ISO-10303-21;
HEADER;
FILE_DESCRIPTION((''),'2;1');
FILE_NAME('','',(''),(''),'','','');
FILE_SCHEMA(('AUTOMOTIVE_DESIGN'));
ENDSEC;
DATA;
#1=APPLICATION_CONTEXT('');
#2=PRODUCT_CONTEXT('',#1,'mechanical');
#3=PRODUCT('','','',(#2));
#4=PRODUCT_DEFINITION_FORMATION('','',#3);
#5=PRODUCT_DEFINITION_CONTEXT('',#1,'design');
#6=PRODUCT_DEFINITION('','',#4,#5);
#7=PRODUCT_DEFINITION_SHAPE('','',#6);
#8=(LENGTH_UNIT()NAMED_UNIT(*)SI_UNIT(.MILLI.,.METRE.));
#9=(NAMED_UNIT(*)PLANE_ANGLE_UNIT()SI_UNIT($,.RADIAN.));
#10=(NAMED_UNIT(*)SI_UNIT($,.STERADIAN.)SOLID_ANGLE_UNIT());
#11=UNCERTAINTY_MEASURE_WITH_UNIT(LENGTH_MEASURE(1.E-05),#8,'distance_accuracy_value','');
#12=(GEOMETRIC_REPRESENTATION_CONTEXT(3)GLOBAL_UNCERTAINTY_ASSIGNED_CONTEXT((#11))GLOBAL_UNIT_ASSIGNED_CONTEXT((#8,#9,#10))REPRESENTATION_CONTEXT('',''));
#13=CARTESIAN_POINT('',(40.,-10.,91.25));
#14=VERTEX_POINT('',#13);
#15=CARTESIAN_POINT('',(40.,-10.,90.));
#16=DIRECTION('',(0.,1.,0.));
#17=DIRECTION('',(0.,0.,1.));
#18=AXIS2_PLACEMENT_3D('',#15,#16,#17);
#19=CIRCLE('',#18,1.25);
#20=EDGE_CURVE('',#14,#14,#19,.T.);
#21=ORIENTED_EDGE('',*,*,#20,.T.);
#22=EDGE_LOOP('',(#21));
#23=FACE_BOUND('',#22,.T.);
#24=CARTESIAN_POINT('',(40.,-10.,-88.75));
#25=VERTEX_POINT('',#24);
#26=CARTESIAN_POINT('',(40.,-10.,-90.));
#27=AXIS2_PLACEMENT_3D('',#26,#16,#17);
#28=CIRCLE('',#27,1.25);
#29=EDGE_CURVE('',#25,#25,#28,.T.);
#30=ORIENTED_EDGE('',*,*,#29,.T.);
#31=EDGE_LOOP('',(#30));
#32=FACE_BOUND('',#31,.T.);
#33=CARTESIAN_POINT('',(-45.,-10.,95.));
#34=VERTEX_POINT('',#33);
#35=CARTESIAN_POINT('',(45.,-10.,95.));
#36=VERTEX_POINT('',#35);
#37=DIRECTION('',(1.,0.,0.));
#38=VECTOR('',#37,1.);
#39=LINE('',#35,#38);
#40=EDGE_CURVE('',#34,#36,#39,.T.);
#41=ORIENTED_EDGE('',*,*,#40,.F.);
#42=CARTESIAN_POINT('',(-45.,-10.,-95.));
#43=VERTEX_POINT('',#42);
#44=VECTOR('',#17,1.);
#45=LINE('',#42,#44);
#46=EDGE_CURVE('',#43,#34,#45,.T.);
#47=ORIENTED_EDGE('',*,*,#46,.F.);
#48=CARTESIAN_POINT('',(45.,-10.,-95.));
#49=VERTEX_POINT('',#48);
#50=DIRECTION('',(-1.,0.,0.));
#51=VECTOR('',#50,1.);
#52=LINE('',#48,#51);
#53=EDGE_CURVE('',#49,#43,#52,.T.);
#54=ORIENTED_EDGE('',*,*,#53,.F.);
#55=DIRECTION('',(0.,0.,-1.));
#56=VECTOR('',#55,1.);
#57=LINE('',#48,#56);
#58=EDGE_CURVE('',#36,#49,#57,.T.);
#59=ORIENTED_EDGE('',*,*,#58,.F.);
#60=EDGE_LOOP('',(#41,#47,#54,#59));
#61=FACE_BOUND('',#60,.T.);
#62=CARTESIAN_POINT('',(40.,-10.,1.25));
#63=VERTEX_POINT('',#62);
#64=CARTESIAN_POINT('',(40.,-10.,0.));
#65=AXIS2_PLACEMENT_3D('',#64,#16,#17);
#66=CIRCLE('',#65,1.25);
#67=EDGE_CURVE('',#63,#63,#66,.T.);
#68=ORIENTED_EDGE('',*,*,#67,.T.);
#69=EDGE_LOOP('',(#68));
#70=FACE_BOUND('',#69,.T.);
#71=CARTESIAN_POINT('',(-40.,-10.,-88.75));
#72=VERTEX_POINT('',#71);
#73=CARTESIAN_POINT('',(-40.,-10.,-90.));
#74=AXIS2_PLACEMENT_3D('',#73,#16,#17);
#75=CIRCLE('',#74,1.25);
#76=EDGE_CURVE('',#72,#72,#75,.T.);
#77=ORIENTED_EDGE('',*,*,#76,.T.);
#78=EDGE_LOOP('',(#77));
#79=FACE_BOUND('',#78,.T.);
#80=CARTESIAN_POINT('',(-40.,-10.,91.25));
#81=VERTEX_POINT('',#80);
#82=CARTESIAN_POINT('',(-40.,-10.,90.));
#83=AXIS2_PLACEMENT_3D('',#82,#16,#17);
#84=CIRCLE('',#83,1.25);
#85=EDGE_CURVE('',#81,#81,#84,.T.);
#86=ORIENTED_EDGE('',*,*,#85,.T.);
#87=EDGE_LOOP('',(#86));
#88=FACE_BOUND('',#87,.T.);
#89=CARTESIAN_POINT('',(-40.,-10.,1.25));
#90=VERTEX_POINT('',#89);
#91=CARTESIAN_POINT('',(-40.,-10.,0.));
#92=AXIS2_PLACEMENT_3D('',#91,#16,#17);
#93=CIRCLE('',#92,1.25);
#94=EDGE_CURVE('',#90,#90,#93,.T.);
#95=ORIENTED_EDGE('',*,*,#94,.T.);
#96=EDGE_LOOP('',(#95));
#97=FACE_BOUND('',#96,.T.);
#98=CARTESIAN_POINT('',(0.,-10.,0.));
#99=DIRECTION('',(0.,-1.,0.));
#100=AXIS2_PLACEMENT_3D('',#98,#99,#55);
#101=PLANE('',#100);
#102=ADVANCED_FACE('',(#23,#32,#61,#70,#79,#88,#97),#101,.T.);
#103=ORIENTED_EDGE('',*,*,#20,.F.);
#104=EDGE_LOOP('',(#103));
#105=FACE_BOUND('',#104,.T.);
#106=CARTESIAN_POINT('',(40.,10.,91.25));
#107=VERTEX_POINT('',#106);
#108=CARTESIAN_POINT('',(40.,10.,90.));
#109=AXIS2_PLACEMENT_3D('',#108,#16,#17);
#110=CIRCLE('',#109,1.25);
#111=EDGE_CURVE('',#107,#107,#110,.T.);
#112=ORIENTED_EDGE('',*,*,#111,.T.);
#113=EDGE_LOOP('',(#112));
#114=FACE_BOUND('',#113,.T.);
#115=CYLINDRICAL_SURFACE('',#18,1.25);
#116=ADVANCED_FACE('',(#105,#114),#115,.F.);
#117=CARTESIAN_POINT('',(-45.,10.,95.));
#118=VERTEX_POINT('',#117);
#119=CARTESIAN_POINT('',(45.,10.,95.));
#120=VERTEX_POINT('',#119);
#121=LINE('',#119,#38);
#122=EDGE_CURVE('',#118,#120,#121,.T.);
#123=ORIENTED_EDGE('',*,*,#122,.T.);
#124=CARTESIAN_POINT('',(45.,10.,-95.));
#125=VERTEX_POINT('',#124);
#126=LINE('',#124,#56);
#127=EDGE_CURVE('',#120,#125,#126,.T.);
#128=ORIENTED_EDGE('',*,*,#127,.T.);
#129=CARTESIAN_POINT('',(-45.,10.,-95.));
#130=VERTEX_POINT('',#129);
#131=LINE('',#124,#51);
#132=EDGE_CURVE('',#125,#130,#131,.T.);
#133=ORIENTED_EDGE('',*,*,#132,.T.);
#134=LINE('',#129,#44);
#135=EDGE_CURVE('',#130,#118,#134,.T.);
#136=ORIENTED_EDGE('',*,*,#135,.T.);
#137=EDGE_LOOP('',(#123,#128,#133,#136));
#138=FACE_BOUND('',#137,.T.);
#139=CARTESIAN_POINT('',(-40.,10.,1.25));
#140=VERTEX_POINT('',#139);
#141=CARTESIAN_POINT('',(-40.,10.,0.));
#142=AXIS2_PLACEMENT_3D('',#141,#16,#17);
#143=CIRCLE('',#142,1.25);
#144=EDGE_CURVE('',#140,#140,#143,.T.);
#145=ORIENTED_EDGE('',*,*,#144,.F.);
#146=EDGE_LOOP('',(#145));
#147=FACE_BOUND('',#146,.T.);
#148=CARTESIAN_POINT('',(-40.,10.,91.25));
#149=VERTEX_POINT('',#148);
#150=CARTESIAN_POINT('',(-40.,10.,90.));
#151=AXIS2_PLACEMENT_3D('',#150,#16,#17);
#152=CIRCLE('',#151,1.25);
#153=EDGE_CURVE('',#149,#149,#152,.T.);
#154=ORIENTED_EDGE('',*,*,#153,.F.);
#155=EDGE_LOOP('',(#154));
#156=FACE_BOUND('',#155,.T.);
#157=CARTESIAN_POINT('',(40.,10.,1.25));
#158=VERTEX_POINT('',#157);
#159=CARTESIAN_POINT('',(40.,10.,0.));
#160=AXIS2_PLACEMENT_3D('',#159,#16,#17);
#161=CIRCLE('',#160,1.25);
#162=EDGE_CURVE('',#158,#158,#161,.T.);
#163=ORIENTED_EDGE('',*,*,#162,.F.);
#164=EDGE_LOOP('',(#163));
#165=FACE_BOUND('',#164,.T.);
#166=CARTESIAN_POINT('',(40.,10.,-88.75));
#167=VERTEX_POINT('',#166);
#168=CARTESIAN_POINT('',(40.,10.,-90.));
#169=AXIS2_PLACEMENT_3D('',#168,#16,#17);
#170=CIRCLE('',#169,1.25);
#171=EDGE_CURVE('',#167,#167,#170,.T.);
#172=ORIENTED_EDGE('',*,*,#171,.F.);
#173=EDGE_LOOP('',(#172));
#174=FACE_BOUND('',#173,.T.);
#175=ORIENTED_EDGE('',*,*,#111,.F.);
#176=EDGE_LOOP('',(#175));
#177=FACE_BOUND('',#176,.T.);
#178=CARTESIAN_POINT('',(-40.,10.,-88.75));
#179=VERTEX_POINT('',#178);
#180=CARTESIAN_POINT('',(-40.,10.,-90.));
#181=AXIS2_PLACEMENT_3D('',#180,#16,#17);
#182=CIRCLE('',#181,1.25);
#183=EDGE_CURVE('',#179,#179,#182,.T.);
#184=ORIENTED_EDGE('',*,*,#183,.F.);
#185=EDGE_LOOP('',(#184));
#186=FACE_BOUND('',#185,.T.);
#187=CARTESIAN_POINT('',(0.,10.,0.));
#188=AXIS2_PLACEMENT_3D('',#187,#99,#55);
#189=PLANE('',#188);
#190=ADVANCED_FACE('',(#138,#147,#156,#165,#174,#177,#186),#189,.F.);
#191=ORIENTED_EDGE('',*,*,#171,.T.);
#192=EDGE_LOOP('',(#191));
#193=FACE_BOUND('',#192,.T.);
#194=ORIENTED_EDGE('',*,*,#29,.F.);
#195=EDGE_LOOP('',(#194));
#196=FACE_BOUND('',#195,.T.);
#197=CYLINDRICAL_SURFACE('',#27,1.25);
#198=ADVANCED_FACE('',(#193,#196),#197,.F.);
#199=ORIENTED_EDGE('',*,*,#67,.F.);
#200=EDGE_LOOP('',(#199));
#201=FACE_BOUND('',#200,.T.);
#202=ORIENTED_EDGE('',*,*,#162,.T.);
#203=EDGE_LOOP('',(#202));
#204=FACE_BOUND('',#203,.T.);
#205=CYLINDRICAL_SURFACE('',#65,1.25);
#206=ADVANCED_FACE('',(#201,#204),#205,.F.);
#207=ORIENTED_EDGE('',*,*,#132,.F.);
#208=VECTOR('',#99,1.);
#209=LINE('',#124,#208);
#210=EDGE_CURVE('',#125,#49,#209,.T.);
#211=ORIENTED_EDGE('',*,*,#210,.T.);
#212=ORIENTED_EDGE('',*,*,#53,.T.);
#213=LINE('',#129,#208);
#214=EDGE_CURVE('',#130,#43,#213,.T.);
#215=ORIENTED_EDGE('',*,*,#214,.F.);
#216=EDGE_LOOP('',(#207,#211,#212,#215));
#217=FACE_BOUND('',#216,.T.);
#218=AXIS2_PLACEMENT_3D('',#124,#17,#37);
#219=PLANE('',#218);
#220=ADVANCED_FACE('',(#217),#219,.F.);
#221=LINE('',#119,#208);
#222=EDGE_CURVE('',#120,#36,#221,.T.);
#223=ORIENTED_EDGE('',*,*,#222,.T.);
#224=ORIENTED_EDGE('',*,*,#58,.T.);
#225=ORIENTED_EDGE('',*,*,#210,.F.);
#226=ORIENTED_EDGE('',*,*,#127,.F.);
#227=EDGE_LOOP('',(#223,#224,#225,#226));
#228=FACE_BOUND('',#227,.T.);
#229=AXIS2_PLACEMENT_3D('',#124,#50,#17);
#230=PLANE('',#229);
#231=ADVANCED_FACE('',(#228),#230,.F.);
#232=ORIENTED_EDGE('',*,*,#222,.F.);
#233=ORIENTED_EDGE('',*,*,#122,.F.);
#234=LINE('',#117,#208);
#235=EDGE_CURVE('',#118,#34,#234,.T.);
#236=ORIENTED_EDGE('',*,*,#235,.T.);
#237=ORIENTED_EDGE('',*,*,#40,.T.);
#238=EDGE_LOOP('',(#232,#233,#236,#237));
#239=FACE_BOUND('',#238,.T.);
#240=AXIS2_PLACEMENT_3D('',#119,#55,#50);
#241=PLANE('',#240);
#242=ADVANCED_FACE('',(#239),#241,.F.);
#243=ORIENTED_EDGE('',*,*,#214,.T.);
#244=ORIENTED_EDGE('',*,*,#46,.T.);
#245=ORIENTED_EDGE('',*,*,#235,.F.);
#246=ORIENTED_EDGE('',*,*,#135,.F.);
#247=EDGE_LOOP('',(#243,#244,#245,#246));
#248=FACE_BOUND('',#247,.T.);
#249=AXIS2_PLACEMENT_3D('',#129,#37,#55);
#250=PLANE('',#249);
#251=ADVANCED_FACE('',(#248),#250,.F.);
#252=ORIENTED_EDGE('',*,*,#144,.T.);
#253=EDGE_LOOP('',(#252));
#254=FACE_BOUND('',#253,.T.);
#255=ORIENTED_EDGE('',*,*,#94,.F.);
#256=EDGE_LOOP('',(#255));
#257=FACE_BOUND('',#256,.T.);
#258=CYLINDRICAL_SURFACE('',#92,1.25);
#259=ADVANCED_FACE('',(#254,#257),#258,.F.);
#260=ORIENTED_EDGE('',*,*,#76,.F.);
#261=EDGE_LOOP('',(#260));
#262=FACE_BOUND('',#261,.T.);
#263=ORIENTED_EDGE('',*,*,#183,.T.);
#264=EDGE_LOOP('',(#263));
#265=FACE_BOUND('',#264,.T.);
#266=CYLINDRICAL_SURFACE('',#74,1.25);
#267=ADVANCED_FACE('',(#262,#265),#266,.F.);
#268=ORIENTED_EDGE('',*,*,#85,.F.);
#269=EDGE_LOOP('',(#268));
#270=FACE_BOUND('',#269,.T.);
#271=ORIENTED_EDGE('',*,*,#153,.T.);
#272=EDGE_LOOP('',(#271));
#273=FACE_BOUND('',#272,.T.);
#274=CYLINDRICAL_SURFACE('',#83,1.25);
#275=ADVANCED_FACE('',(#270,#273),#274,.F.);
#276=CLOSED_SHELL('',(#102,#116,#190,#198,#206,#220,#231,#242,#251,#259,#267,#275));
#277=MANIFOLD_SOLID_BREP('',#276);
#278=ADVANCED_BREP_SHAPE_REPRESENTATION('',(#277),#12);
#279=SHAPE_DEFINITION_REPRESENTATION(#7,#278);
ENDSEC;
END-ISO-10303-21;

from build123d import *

# Parameters (mm, degrees)
SKETCH1_W           = 90
SKETCH1_H           = 190
BOSS_EXTRUDE1_DEPTH = 10
SKETCH2_R           = 1.25
CUT_EXTRUDE2_DEPTH  = 108.004672795


with BuildPart() as part:
    # Sketch1 → Boss-Extrude1 (new, symmetric)
    with BuildSketch(Plane(origin=(0, 0, 0), x_dir=(1, 0, 0), z_dir=(0, 1, 0))):
        Rectangle(SKETCH1_W, SKETCH1_H)
    extrude(amount=BOSS_EXTRUDE1_DEPTH, both=True)

    # Sketch2 → Cut-Extrude2 (cut, through all)
    with BuildSketch(Plane(origin=(0, 10, 0), x_dir=(1, 0, 0), z_dir=(0, 1, 0))):
        with Locations((-40, -90)):
            Circle(SKETCH2_R)
        with Locations((40, -90)):
            Circle(SKETCH2_R)
        with Locations((-40, 0)):
            Circle(SKETCH2_R)
        with Locations((-40, 90)):
            Circle(SKETCH2_R)
        with Locations((40, 90)):
            Circle(SKETCH2_R)
        with Locations((40, 0)):
            Circle(SKETCH2_R)
    extrude(amount=-CUT_EXTRUDE2_DEPTH, mode=Mode.SUBTRACT)


solid = part.part
